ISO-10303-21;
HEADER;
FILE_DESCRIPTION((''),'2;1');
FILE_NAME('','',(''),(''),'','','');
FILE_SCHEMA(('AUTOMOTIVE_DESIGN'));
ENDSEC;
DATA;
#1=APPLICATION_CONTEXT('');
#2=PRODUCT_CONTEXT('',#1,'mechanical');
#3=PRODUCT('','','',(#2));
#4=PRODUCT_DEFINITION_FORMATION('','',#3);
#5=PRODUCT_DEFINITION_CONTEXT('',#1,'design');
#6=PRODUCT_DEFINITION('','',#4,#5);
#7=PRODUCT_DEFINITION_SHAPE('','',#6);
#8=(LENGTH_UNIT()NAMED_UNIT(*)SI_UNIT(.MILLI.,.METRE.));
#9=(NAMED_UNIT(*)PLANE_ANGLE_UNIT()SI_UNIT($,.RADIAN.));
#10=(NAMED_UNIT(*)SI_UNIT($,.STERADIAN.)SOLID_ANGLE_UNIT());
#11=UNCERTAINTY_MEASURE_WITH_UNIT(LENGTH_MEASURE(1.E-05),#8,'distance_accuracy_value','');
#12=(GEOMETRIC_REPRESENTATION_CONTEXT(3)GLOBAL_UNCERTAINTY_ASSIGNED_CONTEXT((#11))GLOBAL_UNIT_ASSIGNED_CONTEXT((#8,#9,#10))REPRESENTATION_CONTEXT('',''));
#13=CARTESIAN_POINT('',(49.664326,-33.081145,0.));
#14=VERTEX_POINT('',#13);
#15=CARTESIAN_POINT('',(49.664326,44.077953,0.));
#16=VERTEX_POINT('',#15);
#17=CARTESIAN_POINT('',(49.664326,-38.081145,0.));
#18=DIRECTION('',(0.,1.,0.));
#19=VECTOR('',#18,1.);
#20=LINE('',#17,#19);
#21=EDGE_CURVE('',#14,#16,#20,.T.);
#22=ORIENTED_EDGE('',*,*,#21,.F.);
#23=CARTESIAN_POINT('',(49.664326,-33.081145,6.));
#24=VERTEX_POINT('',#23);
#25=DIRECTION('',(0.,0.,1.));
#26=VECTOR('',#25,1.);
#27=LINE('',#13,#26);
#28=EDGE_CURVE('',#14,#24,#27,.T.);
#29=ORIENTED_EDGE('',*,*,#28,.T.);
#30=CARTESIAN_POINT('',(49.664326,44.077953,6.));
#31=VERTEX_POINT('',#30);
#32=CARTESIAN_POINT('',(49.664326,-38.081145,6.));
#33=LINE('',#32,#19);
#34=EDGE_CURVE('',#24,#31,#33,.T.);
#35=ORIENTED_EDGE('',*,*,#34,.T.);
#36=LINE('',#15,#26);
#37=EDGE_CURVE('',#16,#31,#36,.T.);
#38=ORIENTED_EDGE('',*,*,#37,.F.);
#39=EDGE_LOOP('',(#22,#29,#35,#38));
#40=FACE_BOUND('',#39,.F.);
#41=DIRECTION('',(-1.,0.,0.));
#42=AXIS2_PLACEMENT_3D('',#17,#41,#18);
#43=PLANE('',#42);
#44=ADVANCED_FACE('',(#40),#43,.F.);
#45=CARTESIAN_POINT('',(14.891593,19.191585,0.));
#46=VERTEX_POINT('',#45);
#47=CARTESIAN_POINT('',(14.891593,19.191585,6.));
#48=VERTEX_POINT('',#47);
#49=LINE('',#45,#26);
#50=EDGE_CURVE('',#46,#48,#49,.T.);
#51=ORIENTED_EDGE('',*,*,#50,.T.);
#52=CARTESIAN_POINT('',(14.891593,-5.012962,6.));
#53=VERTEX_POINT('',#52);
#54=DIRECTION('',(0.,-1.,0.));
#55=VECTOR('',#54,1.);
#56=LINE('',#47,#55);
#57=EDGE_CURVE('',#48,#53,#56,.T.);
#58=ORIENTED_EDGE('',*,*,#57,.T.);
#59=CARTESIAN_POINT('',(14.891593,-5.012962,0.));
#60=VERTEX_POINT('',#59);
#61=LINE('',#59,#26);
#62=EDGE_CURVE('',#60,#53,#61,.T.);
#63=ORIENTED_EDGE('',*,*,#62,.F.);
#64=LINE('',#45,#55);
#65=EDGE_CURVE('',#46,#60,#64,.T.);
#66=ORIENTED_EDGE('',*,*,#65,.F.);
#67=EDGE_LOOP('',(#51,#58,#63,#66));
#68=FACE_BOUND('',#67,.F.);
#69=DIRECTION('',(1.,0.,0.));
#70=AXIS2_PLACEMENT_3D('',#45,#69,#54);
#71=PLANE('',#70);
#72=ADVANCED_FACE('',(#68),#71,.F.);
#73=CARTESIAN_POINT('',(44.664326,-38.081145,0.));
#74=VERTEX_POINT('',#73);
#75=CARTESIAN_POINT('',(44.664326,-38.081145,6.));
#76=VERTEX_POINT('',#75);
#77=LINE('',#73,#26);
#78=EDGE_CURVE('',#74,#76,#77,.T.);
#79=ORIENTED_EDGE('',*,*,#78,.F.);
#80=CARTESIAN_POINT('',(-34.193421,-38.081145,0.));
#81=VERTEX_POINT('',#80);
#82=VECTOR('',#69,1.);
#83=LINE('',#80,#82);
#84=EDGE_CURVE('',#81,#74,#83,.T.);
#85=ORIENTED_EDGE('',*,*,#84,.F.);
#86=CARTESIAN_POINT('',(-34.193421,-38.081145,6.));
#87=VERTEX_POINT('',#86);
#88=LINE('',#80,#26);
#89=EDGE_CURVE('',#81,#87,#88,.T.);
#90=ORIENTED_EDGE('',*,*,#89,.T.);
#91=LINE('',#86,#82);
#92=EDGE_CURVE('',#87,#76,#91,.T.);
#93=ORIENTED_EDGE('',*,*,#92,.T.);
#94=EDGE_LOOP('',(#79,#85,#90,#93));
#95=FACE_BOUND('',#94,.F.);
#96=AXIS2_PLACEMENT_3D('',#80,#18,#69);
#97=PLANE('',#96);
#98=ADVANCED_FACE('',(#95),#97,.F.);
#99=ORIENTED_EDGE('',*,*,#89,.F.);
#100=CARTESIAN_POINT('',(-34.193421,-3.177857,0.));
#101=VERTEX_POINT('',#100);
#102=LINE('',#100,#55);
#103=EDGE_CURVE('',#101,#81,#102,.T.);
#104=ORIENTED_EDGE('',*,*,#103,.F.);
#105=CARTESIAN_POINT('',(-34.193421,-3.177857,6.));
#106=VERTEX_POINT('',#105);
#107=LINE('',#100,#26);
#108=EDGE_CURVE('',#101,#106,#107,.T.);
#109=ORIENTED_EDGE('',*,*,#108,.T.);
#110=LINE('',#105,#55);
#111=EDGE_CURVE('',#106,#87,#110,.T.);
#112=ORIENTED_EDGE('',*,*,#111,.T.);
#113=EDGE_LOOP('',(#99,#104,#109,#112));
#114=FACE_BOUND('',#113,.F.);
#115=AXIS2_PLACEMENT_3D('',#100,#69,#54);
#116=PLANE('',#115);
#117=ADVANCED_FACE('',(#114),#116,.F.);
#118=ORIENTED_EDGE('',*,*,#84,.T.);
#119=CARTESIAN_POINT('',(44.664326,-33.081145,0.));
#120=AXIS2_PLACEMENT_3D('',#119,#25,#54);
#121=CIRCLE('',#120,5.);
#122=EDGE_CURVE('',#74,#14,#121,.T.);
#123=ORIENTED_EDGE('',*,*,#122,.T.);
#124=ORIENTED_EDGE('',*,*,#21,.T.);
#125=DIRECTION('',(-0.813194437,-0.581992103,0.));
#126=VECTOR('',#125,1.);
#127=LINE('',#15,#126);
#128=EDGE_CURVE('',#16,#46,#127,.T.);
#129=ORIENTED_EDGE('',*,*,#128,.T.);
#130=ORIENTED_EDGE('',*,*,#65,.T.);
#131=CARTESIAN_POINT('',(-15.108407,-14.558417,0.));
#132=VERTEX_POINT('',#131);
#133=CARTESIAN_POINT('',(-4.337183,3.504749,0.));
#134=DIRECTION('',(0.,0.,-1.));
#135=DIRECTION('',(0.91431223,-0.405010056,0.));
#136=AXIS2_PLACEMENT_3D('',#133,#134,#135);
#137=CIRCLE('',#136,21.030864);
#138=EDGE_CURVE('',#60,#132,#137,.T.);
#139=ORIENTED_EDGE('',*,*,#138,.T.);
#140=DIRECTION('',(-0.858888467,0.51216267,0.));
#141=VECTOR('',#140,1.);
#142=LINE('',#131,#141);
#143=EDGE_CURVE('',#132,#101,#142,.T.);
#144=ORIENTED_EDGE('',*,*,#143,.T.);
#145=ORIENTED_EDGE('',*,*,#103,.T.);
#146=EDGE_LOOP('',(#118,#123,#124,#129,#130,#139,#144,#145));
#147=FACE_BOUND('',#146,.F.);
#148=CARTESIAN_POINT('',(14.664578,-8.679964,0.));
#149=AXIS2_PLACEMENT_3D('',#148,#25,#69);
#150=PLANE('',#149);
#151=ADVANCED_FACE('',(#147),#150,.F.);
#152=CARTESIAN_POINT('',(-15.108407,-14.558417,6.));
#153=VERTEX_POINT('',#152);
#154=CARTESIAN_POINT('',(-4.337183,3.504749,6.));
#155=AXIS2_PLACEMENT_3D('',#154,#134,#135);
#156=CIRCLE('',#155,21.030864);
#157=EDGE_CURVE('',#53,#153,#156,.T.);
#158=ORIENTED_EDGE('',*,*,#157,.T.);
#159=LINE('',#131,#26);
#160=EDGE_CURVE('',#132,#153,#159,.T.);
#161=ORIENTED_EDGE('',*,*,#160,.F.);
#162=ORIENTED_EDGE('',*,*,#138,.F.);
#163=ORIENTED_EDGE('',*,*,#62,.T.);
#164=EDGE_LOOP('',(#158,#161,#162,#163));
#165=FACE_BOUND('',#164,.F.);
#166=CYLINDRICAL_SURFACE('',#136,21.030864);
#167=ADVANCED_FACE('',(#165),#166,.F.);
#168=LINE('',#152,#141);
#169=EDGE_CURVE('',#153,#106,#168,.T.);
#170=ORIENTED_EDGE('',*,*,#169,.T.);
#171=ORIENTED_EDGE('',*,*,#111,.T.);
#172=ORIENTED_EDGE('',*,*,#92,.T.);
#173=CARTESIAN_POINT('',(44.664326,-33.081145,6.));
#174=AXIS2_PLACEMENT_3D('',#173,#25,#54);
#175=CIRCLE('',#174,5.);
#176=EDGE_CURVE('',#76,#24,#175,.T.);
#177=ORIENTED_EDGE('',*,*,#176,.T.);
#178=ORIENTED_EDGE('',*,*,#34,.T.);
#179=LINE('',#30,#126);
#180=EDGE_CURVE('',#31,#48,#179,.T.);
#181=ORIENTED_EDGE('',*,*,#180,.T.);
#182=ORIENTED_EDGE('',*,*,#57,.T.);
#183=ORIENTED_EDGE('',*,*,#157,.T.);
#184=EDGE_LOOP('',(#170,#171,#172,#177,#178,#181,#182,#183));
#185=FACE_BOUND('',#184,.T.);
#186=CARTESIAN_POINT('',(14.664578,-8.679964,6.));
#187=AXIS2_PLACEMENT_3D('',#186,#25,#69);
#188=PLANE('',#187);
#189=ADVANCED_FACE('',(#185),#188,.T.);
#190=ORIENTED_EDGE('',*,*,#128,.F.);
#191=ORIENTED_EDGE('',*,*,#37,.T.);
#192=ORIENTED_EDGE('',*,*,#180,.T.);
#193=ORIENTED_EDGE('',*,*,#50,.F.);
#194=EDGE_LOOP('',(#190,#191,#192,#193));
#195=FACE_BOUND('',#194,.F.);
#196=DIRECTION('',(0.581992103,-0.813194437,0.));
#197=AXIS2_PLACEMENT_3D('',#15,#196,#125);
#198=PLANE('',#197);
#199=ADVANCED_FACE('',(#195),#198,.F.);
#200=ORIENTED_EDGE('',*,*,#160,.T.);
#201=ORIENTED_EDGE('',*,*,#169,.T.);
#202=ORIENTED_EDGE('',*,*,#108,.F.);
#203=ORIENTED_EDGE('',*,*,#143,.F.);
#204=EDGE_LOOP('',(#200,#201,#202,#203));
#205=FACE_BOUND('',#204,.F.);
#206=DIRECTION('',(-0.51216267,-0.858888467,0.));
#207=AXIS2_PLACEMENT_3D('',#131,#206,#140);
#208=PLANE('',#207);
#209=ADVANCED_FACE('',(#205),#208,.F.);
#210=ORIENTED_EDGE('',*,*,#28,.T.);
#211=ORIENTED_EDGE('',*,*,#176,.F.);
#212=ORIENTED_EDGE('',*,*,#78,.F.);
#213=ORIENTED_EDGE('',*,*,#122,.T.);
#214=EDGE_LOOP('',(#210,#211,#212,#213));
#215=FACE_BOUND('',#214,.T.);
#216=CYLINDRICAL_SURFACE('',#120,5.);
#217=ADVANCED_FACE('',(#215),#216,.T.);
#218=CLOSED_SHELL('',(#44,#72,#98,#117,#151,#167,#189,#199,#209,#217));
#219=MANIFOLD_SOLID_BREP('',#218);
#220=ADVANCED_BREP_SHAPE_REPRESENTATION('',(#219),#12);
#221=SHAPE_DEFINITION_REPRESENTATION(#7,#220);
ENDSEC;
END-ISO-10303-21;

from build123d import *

# Parameters (mm, degrees)
F1_DEPTH = 6
F2_R     = 5


with BuildPart() as f1:
    # F0 (on Top) → F1 (new body)
    with BuildSketch(Plane.XY):
        with BuildLine():
            Line((-34.193421, -3.177857), (-34.193421, -38.081145))
            Line((-34.193421, -38.081145), (49.664326, -38.081145))
            Line((49.664326, -38.081145), (49.664326, 44.077953))
            Line((49.664326, 44.077953), (14.891593, 19.191585))
            Line((14.891593, 19.191585), (14.891593, -5.012962))
            ThreePointArc((14.891593, -5.012962), (2.039452, -16.536103), (-15.108407, -14.558417))
            Line((-15.108407, -14.558417), (-34.193421, -3.177857))
        make_face()
    extrude(amount=F1_DEPTH)

    # F2
    f2_edges = [f1.edges().sort_by_distance(p)[0] for p in [
        (49.664326, -38.081145, 3),
    ]]
    fillet(f2_edges, radius=F2_R)


solid = f1.part
